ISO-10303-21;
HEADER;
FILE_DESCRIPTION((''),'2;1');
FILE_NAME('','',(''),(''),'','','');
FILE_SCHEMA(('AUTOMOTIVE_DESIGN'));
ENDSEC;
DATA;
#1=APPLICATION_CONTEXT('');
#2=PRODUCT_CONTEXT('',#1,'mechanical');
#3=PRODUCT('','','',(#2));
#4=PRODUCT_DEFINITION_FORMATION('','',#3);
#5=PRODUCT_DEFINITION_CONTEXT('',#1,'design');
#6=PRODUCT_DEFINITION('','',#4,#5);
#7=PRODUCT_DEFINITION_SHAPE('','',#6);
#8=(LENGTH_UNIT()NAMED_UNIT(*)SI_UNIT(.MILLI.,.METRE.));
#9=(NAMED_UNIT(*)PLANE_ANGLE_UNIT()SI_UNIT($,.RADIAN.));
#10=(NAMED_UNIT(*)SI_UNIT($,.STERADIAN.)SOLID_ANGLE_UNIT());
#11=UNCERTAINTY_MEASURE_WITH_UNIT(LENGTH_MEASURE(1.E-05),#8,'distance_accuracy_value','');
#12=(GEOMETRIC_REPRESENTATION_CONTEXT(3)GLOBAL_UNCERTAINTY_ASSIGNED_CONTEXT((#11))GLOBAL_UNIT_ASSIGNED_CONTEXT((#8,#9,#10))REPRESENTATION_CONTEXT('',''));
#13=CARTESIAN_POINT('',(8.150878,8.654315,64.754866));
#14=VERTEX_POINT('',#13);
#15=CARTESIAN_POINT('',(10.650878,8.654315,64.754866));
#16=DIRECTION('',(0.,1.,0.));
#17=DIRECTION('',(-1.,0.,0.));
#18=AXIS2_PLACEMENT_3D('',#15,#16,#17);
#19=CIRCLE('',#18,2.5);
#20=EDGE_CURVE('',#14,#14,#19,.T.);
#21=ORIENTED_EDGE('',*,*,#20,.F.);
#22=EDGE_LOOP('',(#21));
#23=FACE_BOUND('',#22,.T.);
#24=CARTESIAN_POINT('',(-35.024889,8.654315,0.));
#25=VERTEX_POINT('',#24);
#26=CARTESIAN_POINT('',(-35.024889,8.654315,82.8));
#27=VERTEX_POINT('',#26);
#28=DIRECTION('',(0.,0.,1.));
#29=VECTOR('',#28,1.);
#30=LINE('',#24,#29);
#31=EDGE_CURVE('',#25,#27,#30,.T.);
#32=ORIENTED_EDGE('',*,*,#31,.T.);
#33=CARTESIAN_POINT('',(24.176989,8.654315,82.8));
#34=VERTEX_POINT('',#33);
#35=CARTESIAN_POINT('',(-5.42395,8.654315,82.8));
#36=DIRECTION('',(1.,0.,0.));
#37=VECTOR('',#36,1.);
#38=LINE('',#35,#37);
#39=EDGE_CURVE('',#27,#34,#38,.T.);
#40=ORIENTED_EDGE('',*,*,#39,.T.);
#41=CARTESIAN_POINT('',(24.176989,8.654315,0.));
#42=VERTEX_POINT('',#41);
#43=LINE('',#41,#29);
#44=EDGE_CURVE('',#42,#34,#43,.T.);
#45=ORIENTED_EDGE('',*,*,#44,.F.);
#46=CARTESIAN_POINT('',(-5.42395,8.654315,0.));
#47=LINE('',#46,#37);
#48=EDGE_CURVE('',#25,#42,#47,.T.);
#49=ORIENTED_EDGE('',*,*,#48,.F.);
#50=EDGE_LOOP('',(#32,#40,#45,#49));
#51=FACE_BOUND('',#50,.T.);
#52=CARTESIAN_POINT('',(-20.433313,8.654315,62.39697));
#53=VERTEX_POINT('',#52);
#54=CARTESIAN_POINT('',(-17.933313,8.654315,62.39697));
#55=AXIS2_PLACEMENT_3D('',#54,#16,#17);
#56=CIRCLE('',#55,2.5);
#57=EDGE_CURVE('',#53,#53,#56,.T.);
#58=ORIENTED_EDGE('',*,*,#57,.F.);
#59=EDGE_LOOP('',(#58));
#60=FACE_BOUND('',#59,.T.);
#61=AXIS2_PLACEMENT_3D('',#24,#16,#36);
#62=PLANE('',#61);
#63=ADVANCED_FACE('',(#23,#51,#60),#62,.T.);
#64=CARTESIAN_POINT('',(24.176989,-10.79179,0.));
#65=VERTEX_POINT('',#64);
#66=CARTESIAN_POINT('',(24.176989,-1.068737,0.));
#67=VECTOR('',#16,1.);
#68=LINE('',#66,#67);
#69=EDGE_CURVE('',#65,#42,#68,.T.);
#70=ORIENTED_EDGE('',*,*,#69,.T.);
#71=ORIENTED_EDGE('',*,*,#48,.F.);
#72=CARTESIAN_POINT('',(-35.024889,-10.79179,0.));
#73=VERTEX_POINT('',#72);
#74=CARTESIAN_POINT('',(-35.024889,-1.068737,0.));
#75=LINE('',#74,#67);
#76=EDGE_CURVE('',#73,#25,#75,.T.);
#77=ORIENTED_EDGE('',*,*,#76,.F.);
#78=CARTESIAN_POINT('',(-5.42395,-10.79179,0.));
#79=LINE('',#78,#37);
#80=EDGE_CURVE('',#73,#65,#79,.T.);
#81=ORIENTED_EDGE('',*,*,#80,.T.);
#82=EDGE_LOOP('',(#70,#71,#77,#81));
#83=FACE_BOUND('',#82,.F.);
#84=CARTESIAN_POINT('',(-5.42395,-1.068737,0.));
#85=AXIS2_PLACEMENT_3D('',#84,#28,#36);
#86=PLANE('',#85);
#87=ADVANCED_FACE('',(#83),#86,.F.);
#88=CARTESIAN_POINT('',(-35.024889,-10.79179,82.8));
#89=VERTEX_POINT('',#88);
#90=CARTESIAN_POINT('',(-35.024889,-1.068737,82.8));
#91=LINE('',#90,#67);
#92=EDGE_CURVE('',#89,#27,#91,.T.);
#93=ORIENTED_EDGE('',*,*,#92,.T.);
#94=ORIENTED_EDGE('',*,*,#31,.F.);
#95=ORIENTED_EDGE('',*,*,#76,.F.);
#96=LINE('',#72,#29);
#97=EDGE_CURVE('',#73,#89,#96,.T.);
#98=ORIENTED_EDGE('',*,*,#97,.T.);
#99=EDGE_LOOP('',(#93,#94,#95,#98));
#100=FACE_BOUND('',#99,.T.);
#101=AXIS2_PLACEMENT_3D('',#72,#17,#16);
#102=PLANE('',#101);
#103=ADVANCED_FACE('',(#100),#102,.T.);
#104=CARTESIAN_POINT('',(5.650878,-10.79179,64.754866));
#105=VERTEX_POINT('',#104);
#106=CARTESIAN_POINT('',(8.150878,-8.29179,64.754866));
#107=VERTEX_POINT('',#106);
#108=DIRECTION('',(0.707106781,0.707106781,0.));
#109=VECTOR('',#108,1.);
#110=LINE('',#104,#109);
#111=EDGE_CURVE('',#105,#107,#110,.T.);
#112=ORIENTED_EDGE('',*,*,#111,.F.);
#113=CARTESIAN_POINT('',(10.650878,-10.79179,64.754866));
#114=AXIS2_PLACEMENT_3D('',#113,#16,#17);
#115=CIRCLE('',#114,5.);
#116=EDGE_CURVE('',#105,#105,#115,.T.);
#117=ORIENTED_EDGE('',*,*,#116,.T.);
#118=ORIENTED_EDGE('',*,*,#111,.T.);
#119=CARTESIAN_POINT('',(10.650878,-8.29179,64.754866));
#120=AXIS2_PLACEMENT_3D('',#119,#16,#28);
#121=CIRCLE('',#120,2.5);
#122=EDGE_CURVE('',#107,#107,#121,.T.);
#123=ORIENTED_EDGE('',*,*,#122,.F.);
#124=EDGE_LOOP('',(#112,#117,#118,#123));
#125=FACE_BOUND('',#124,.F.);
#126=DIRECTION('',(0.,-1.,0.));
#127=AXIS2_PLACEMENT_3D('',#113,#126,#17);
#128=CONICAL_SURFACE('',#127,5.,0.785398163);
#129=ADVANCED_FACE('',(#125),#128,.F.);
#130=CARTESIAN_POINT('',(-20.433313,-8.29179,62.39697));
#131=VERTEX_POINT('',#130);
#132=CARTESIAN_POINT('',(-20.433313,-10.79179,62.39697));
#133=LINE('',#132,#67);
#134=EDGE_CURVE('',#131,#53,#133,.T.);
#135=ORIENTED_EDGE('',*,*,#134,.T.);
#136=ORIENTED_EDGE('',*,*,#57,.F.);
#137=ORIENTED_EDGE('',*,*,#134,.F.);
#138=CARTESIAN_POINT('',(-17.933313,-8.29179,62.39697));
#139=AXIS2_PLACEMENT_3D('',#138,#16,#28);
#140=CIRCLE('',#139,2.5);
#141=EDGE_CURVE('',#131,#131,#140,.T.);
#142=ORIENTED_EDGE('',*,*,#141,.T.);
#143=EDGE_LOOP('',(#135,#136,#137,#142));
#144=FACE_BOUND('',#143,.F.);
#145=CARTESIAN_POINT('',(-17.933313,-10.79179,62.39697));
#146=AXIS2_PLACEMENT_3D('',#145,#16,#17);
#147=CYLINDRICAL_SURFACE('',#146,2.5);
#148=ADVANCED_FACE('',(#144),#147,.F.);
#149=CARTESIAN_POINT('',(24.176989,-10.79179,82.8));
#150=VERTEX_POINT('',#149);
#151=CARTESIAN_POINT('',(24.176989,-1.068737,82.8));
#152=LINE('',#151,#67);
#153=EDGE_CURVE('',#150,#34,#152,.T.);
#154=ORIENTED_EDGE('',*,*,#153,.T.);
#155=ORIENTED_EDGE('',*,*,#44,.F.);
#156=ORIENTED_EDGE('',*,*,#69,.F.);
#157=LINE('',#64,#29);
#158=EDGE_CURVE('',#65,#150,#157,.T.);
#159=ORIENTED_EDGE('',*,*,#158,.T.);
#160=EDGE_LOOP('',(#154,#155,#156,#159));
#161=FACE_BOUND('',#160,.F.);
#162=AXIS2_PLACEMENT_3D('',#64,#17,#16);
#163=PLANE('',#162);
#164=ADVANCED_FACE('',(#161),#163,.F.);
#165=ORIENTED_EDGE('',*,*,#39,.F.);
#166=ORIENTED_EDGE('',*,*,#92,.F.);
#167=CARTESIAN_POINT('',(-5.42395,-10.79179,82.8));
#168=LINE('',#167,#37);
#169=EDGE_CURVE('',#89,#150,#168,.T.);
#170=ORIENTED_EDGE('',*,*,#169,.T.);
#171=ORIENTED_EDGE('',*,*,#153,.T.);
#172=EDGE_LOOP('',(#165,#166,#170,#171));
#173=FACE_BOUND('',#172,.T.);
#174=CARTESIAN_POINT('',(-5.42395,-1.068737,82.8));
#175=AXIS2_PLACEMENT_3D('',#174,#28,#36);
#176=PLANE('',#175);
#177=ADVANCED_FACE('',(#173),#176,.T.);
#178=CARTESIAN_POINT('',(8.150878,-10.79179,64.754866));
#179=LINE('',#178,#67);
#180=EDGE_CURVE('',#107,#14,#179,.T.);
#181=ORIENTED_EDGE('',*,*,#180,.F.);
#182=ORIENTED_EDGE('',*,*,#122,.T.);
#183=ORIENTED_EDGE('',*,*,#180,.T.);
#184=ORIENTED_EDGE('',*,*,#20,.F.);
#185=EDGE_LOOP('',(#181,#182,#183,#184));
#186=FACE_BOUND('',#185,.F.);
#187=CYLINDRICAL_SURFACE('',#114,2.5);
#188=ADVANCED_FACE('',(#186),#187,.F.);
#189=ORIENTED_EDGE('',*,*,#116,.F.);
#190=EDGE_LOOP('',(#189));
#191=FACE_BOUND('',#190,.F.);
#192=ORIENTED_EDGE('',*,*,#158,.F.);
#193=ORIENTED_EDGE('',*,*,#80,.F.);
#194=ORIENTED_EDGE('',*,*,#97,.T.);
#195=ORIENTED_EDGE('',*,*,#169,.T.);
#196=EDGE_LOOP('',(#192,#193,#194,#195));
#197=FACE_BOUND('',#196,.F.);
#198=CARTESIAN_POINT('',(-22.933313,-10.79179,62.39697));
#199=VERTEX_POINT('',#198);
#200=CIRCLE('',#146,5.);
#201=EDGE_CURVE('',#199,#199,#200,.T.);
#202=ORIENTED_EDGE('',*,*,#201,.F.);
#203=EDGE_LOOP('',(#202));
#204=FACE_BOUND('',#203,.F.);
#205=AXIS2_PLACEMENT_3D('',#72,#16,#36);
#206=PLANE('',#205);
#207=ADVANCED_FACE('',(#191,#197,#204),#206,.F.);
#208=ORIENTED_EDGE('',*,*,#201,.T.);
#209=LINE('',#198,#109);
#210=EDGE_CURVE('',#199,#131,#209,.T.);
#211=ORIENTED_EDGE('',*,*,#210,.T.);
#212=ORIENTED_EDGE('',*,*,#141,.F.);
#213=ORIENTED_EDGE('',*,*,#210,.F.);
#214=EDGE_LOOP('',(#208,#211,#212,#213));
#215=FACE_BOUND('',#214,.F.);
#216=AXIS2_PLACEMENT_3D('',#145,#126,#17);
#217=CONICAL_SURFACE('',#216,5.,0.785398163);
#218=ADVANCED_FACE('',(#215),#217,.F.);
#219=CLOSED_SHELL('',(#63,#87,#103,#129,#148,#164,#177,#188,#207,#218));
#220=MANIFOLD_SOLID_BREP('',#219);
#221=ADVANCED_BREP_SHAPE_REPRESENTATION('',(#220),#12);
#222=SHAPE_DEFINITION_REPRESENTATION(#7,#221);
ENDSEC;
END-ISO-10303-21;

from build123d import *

# Parameters (mm, degrees)
F0_W           = 59.201878
F0_H           = 19.446105
F1_DEPTH       = 82.8
F3_D           = 5
F3_CSINK_D     = 10
F3_CSINK_ANGLE = 90


with BuildPart() as f1:
    # F0 (on Top) → F1 (new body)
    with BuildSketch(Plane.XY):
        with Locations((-5.42395, -1.068737)):
            Rectangle(F0_W, F0_H)
    extrude(amount=F1_DEPTH)

    # F3 (through all)
    with Locations(Plane.XZ.offset(10.79179)):
        with Locations((-17.933313, 62.39697), (10.650878, 64.754866)):
            CounterSinkHole(F3_D / 2, F3_CSINK_D / 2, counter_sink_angle=F3_CSINK_ANGLE)


solid = f1.part
